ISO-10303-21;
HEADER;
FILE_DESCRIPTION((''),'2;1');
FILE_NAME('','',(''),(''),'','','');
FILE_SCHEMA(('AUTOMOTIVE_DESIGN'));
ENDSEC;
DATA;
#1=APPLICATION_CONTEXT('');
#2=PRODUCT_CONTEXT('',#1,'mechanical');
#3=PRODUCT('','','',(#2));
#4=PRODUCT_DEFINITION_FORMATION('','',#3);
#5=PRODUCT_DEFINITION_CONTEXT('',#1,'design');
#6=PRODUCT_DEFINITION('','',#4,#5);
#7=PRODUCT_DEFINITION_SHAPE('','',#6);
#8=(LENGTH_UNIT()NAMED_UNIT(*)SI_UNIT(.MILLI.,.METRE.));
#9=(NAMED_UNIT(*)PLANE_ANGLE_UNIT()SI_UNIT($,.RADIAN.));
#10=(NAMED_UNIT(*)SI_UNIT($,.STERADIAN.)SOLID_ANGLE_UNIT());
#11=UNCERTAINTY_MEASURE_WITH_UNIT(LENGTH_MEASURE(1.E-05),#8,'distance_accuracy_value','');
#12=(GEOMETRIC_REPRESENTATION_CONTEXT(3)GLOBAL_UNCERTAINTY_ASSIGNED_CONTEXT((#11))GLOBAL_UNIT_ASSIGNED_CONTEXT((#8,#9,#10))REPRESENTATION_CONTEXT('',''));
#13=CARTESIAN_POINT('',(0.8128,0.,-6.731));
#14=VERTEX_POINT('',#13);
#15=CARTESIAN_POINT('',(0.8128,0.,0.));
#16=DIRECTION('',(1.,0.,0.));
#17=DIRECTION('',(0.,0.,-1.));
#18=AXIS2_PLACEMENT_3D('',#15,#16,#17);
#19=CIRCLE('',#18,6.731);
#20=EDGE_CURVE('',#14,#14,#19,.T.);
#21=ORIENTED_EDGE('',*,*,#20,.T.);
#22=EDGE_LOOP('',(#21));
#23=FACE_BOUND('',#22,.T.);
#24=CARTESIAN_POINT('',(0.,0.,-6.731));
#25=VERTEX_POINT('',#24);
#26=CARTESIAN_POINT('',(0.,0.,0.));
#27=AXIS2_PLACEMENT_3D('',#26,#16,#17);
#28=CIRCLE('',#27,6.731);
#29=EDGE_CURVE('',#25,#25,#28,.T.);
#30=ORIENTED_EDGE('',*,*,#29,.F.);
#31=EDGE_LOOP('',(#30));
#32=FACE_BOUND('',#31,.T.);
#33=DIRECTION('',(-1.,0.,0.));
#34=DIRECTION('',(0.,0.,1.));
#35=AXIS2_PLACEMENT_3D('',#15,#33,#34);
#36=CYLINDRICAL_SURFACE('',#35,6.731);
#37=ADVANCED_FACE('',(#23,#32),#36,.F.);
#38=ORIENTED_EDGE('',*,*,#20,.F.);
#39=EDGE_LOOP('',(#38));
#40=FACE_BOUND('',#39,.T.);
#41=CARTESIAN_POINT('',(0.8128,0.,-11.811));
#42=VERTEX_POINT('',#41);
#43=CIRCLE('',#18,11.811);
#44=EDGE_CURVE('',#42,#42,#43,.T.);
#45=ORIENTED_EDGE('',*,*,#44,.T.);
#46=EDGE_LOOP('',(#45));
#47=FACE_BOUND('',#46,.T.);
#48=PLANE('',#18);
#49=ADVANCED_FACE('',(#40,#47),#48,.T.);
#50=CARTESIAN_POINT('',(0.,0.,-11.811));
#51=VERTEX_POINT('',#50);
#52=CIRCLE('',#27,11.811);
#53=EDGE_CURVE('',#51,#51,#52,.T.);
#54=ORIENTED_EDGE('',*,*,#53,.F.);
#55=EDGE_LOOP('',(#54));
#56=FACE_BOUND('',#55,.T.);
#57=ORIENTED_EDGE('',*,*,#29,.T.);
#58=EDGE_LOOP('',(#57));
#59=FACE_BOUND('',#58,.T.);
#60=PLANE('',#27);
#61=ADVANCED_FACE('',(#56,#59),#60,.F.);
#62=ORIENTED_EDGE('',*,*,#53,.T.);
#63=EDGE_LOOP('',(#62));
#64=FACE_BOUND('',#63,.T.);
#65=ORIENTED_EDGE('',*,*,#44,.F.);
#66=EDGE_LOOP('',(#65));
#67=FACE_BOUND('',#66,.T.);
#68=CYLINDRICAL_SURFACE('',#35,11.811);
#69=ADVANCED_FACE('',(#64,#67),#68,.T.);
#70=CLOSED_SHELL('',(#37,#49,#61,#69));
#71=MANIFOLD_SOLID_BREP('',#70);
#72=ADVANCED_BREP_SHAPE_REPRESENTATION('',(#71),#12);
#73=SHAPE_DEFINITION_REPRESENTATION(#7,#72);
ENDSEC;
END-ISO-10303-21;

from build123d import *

# Parameters (mm, degrees)
SKETCH1_R      = 11.811
SKETCH1_R_2    = 6.731
EXTRUDE1_DEPTH = 0.8128


with BuildPart() as part:
    # Sketch1 → Extrude1 (new body)
    with BuildSketch(Plane(origin=(0, 0, 0), x_dir=(0, 0, -1), z_dir=(1, 0, 0))):
        Circle(SKETCH1_R)
        Circle(SKETCH1_R_2, mode=Mode.SUBTRACT)
    extrude(amount=EXTRUDE1_DEPTH)


solid = part.part
